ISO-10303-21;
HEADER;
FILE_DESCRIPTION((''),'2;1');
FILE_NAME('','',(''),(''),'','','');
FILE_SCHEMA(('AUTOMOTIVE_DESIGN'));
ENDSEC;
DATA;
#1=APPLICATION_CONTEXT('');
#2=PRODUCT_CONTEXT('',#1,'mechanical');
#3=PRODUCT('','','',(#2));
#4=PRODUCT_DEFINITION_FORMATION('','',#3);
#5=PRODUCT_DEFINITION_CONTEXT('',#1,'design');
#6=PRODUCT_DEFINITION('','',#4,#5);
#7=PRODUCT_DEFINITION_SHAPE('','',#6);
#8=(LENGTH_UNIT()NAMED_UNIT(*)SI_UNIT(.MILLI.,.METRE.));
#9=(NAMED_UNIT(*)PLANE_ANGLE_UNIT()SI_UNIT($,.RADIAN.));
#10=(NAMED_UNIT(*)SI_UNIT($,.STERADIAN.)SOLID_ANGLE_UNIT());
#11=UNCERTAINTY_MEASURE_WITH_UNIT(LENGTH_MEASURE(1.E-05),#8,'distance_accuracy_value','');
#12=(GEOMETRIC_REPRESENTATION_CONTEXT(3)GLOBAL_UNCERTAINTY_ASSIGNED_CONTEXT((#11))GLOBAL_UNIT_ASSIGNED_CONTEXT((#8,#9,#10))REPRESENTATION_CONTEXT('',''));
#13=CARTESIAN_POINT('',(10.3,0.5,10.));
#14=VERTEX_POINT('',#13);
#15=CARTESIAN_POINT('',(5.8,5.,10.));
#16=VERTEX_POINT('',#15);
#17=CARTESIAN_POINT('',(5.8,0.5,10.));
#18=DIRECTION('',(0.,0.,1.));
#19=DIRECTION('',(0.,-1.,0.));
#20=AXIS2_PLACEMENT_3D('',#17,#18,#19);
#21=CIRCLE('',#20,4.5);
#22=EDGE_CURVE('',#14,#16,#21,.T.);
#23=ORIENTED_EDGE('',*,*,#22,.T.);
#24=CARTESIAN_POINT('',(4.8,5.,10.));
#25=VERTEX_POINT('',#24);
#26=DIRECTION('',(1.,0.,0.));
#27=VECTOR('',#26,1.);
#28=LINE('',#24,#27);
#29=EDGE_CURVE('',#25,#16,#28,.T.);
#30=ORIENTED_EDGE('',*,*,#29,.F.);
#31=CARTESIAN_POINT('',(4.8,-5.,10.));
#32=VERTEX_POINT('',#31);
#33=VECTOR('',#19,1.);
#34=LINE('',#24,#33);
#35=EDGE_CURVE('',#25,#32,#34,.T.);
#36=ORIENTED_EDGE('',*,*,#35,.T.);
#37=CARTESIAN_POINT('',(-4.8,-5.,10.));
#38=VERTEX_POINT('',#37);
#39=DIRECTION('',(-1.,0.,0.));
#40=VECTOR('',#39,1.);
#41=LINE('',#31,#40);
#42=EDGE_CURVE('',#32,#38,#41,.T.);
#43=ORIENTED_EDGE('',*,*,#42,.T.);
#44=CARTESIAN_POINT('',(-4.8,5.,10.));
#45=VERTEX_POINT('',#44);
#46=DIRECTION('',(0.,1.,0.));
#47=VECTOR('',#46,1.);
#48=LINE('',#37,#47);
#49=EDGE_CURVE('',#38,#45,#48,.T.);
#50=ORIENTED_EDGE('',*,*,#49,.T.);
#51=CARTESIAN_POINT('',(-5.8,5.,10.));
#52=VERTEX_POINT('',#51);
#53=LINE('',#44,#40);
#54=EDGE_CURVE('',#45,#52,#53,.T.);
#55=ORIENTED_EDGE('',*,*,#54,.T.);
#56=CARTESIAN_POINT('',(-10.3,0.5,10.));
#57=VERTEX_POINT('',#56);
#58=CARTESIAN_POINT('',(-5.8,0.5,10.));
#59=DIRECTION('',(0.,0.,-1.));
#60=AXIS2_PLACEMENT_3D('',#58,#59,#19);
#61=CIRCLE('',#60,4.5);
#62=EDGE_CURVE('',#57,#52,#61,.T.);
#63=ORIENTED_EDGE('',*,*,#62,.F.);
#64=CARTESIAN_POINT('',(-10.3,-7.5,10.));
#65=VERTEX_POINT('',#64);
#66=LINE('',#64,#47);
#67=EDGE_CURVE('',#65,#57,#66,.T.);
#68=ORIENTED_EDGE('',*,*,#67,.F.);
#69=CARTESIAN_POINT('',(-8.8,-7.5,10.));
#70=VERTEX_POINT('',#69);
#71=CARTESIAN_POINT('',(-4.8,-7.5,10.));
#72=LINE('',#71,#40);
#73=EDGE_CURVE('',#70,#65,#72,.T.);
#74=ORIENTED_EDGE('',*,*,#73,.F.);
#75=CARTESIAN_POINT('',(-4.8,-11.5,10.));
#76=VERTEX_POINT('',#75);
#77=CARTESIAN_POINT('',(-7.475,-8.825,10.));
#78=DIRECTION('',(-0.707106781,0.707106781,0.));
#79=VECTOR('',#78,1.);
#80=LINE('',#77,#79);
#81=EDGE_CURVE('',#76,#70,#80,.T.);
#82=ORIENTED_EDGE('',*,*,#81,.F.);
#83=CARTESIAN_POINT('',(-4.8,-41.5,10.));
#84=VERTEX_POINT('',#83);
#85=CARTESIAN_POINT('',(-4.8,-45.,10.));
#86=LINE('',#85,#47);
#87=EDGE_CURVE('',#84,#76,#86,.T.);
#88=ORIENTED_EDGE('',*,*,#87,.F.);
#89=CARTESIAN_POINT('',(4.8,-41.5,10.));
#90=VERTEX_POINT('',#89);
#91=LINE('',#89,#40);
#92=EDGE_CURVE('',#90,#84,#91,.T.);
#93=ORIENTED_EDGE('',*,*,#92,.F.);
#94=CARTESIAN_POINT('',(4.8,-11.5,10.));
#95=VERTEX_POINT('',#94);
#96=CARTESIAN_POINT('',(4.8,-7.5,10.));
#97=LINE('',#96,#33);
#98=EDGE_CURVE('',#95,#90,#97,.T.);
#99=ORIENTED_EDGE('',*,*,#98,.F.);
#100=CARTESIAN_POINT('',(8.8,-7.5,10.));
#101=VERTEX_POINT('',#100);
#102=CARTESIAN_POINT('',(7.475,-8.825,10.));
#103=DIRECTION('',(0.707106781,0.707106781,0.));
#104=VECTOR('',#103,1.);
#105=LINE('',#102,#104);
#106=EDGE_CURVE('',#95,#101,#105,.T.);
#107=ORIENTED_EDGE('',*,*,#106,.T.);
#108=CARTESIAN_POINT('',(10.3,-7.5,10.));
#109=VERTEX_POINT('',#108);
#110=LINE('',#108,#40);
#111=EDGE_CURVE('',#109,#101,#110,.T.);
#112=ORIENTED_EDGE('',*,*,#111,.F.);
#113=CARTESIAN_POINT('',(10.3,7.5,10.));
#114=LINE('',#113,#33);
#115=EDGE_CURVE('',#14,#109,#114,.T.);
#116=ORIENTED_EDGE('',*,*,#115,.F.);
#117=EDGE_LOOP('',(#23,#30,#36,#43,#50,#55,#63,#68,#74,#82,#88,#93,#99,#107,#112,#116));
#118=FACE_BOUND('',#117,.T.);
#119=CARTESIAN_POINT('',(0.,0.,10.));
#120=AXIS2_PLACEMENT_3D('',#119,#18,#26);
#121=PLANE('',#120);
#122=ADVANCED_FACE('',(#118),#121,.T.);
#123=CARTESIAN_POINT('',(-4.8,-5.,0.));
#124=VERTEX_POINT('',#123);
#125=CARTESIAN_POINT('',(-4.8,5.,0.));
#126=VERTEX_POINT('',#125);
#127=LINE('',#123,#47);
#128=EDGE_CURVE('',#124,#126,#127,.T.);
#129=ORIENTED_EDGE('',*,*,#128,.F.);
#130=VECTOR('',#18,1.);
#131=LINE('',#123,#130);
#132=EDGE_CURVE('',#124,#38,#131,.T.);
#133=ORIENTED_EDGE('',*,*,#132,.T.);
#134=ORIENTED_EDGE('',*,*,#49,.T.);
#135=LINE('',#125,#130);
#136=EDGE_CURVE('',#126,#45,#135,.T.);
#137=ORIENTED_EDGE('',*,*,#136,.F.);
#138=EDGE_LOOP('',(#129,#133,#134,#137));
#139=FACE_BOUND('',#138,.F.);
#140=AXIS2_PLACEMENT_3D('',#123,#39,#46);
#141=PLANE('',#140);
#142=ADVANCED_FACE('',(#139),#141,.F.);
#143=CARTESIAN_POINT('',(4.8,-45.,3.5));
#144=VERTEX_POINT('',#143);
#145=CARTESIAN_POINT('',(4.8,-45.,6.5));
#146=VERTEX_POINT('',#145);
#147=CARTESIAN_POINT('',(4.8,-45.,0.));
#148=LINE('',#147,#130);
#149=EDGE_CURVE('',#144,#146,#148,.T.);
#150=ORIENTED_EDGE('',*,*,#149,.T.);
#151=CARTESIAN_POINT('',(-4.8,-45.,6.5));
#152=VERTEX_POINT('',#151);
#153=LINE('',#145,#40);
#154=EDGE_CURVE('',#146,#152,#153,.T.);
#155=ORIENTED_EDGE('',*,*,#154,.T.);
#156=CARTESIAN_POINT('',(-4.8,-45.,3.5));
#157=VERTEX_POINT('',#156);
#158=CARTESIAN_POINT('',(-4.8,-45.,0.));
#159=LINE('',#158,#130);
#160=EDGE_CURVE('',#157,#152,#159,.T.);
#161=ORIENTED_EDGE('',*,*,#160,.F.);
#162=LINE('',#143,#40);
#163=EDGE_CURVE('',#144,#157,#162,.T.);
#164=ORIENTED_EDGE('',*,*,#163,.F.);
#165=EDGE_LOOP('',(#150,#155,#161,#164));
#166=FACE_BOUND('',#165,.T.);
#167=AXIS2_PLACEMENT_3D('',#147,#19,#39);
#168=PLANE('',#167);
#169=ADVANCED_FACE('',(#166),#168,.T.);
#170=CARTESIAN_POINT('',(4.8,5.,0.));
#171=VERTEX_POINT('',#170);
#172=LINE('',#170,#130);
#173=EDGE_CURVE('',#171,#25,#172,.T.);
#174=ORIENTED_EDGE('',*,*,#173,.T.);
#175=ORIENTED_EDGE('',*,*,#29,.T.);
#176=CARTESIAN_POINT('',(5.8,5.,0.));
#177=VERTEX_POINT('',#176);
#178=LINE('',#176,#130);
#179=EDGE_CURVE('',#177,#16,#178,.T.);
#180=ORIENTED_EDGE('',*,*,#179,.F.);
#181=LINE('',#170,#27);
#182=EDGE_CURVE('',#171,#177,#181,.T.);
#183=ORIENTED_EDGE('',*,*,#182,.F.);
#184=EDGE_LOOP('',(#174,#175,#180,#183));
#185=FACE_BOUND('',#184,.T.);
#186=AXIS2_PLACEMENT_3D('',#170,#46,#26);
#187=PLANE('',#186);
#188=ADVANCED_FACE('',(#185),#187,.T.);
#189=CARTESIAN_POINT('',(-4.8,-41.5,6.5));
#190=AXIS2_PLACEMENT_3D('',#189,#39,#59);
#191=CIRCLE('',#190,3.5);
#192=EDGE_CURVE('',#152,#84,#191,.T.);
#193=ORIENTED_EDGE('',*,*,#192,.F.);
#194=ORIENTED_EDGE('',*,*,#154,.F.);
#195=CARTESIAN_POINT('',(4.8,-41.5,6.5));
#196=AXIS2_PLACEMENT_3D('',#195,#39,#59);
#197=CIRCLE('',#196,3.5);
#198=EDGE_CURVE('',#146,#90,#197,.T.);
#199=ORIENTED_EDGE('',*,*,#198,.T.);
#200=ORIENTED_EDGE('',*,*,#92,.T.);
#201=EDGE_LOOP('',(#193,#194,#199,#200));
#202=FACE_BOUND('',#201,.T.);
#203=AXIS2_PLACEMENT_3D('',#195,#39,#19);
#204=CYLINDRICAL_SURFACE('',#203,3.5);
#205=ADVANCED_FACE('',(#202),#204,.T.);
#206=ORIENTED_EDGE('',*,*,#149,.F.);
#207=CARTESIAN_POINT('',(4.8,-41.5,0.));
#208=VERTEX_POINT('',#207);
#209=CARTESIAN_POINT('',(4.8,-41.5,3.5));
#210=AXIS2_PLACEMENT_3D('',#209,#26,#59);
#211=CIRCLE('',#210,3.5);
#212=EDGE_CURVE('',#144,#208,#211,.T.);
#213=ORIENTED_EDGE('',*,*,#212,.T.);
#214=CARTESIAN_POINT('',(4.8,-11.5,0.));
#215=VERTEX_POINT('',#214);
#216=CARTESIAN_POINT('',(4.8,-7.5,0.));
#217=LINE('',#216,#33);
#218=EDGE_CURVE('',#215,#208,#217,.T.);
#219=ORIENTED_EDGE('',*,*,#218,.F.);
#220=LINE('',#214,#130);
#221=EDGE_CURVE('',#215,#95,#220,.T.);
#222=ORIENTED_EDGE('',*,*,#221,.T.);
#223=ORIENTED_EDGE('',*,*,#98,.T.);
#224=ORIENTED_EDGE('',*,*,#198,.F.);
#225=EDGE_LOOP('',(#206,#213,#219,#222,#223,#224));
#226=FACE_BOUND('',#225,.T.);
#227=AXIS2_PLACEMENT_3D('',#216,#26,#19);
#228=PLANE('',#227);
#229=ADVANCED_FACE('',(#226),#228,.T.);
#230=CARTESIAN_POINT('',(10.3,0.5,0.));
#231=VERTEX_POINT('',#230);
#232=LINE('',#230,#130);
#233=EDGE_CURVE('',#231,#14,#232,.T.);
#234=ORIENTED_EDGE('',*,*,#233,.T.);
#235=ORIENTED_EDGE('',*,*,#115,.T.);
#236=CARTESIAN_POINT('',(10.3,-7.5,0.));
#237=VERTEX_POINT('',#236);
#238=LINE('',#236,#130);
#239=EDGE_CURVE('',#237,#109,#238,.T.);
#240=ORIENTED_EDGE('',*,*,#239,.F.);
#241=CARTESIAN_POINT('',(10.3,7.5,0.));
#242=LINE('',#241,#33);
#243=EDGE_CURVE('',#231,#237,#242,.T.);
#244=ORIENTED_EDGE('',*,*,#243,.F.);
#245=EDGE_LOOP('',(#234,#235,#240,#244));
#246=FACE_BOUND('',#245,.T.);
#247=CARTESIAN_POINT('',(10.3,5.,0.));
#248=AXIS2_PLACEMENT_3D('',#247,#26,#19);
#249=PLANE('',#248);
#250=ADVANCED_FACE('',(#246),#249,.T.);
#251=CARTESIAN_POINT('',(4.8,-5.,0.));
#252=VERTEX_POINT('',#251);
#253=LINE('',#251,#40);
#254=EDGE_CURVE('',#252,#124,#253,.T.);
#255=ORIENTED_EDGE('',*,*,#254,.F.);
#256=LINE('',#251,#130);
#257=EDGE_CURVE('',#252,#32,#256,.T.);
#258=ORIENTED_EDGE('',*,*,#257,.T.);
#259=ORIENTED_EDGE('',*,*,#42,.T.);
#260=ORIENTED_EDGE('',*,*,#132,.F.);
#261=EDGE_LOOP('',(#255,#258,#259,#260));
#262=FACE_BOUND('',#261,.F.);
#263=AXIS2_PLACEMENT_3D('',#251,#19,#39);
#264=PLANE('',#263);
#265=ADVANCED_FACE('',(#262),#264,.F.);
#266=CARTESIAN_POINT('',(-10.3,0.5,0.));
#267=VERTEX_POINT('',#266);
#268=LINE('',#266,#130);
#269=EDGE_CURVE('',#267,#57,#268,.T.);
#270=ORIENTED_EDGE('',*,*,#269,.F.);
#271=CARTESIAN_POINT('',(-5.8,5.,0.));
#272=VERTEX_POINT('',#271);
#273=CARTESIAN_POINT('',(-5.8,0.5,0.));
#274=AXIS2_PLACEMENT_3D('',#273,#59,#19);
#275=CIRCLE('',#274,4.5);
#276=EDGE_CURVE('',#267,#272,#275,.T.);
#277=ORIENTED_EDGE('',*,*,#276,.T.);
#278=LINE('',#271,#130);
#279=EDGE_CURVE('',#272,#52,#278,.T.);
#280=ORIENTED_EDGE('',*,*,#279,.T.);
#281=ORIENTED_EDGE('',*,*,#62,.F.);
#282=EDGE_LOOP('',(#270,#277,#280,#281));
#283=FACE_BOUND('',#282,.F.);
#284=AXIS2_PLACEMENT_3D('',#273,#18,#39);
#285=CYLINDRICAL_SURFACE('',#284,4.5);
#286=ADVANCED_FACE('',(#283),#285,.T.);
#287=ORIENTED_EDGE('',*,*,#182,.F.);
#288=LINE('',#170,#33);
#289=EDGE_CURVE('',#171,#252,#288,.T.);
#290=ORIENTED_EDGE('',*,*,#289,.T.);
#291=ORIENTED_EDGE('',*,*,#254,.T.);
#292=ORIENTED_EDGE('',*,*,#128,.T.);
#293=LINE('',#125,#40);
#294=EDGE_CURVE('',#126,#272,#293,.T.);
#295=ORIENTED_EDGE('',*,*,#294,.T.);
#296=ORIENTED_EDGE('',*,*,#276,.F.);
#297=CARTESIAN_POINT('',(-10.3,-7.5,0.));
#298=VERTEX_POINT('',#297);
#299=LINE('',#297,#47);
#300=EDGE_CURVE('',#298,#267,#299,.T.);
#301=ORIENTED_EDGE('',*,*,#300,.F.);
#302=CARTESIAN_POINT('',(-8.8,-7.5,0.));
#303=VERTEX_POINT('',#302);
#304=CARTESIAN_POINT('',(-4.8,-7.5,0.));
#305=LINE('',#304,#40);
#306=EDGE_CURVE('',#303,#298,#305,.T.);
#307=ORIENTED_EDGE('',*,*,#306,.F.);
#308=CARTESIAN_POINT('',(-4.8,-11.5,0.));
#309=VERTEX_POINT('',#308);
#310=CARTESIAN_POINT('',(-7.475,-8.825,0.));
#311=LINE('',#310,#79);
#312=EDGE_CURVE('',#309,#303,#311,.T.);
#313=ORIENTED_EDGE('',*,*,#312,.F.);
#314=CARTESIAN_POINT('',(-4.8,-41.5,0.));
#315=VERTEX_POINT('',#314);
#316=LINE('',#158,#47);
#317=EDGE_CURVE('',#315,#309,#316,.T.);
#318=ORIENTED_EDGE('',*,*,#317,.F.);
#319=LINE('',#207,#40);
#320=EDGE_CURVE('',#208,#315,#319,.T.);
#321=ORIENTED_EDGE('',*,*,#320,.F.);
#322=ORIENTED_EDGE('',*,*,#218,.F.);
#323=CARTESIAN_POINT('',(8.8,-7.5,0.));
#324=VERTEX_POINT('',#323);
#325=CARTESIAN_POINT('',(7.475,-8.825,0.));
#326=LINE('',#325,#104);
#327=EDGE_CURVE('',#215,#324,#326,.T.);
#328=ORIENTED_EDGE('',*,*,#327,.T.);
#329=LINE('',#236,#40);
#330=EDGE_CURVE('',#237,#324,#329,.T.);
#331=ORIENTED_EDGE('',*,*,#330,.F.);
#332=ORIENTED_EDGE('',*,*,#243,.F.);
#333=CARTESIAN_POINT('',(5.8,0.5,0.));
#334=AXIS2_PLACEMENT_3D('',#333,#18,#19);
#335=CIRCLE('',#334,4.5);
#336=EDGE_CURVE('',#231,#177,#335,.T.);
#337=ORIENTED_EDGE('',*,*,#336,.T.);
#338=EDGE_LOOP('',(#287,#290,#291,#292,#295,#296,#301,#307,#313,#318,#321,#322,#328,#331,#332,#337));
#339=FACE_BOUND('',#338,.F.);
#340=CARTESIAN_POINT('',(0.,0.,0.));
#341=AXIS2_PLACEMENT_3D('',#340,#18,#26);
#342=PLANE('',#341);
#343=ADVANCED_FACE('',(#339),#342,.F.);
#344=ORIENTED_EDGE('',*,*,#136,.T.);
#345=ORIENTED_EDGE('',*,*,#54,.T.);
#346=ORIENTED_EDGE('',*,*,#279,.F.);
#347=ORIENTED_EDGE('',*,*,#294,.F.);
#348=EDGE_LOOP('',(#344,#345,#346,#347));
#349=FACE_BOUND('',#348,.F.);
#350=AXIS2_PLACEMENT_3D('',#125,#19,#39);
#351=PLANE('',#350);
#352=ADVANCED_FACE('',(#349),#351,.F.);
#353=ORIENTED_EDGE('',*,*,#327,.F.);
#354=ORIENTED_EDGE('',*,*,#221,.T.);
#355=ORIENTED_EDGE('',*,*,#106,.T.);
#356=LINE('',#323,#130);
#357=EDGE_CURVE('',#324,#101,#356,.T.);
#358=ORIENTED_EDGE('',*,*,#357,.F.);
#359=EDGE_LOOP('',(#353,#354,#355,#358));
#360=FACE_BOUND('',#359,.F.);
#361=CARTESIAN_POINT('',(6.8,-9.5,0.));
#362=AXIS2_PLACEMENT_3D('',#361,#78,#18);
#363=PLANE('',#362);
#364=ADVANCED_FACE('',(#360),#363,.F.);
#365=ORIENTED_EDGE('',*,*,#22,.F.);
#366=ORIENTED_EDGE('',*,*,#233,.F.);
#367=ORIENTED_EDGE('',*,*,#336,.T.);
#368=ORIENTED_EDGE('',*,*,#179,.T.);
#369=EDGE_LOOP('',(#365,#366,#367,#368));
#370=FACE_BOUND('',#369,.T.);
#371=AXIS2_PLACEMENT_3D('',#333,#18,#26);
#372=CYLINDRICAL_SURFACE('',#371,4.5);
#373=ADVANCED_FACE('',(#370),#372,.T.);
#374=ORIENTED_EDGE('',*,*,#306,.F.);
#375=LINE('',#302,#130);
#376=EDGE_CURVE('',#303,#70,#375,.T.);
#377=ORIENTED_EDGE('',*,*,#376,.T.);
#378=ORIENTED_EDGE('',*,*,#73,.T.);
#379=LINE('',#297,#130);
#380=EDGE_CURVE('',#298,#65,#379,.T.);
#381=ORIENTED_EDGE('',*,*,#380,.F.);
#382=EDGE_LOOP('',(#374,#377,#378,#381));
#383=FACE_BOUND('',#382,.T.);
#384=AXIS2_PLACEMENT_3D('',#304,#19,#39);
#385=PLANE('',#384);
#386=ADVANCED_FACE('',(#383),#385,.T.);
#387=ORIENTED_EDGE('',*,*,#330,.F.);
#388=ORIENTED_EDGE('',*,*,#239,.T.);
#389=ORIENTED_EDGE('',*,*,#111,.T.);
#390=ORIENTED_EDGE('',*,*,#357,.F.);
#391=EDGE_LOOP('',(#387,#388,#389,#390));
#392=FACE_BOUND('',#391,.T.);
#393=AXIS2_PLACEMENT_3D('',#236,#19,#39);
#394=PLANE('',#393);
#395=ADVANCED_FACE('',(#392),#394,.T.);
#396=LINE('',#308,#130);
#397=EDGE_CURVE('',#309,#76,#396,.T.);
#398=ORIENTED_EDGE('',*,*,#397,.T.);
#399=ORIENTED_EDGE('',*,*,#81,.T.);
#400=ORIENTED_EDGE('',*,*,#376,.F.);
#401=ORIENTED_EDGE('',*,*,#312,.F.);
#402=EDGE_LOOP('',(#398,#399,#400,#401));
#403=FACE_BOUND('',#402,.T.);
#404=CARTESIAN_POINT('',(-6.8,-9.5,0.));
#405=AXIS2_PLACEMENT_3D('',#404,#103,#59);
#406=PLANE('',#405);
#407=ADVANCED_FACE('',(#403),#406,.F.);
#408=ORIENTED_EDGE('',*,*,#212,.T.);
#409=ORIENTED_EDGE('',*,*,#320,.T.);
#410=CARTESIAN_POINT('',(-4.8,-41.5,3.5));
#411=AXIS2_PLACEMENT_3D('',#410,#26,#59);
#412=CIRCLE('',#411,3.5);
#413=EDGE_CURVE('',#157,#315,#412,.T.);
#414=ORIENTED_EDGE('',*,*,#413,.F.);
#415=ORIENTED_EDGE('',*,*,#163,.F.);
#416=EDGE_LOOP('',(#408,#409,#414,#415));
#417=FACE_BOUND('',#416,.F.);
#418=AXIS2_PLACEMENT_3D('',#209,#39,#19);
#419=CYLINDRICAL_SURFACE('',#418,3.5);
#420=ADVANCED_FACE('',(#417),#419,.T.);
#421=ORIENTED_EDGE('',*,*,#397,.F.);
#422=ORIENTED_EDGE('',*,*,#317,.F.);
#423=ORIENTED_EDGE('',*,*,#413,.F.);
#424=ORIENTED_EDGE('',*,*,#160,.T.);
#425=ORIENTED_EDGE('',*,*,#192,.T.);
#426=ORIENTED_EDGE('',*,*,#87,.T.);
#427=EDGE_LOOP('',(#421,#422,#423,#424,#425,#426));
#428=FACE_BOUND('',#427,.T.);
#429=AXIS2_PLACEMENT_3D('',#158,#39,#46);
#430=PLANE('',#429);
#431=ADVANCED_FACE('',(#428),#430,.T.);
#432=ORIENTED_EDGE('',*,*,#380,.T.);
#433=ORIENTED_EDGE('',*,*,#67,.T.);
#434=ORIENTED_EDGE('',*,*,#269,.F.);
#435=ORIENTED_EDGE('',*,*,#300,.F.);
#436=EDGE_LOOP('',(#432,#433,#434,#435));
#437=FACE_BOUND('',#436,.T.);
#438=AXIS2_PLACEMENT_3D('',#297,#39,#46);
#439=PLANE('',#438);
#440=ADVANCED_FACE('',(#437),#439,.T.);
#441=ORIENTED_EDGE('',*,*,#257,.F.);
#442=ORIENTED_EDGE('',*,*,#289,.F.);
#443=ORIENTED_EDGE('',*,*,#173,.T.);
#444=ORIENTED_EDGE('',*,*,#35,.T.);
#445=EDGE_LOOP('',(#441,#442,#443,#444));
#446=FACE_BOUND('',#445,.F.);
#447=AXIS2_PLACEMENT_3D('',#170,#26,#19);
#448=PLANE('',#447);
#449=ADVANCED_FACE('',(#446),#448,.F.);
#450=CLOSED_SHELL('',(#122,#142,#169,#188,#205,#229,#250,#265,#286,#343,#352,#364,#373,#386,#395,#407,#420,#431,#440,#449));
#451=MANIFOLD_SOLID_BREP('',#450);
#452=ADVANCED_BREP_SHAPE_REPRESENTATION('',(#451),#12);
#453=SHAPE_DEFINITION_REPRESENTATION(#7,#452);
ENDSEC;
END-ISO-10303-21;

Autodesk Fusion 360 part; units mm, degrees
sketch "Sketch1" plane through (0, 0, 0) normal (0, 0, 1) x (1, 0, 0)
  line L0 (4.8, -5) -> (-4.8, -5)
  line L1 (-4.8, -5) -> (-4.8, 5)
  line L2 (4.8, 5) -> (4.8, -5)
  line L3 (4.8, -5) -> (-4.8, 5) construction
  line L4 (-4.8, -5) -> (4.8, 5) construction
  line L5 (-4.8, -5) -> (4.8, -5)
  line L6 (4.8, -7.5) -> (4.8, -45)
  line L7 (4.8, -45) -> (-4.8, -45)
  line L8 (-4.8, -45) -> (-4.8, -7.5)
  line L9 (-10.3, -7.5) -> (-10.3, 7.5)
  line L10 (10.3, 7.5) -> (10.3, -7.5)
  line L11 (10.3, -7.5) -> (-10.3, 7.5) construction
  line L12 (-10.3, -7.5) -> (10.3, 7.5) construction
  line L13 (4.8, 5) -> (10.3, 5)
  line L14 (-4.8, 5) -> (-10.3, 5)
  line L15 (10.3, -7.5) -> (4.8, -7.5)
  line L16 (-4.8, -7.5) -> (-10.3, -7.5)
  dimension "d1" = 9.6
  dimension "d3" = 9.6
  dimension "d4" = 40
  dimension "d5" = 20.6
extrude "Extrude1" add sketch "Sketch1" along normal blind 10
fillet "Fillet1" radius 3.5 2 edges at (0, -45, 10) (0, -45, 0)
chamfer "Chamfer1" distance 4 angle 45 2 edges at (-4.8, -7.5, 5) (4.8, -7.5, 5)
fillet "Fillet2" radius 4.5 2 edges at (10.3, 5, 5) (-10.3, 5, 5)
